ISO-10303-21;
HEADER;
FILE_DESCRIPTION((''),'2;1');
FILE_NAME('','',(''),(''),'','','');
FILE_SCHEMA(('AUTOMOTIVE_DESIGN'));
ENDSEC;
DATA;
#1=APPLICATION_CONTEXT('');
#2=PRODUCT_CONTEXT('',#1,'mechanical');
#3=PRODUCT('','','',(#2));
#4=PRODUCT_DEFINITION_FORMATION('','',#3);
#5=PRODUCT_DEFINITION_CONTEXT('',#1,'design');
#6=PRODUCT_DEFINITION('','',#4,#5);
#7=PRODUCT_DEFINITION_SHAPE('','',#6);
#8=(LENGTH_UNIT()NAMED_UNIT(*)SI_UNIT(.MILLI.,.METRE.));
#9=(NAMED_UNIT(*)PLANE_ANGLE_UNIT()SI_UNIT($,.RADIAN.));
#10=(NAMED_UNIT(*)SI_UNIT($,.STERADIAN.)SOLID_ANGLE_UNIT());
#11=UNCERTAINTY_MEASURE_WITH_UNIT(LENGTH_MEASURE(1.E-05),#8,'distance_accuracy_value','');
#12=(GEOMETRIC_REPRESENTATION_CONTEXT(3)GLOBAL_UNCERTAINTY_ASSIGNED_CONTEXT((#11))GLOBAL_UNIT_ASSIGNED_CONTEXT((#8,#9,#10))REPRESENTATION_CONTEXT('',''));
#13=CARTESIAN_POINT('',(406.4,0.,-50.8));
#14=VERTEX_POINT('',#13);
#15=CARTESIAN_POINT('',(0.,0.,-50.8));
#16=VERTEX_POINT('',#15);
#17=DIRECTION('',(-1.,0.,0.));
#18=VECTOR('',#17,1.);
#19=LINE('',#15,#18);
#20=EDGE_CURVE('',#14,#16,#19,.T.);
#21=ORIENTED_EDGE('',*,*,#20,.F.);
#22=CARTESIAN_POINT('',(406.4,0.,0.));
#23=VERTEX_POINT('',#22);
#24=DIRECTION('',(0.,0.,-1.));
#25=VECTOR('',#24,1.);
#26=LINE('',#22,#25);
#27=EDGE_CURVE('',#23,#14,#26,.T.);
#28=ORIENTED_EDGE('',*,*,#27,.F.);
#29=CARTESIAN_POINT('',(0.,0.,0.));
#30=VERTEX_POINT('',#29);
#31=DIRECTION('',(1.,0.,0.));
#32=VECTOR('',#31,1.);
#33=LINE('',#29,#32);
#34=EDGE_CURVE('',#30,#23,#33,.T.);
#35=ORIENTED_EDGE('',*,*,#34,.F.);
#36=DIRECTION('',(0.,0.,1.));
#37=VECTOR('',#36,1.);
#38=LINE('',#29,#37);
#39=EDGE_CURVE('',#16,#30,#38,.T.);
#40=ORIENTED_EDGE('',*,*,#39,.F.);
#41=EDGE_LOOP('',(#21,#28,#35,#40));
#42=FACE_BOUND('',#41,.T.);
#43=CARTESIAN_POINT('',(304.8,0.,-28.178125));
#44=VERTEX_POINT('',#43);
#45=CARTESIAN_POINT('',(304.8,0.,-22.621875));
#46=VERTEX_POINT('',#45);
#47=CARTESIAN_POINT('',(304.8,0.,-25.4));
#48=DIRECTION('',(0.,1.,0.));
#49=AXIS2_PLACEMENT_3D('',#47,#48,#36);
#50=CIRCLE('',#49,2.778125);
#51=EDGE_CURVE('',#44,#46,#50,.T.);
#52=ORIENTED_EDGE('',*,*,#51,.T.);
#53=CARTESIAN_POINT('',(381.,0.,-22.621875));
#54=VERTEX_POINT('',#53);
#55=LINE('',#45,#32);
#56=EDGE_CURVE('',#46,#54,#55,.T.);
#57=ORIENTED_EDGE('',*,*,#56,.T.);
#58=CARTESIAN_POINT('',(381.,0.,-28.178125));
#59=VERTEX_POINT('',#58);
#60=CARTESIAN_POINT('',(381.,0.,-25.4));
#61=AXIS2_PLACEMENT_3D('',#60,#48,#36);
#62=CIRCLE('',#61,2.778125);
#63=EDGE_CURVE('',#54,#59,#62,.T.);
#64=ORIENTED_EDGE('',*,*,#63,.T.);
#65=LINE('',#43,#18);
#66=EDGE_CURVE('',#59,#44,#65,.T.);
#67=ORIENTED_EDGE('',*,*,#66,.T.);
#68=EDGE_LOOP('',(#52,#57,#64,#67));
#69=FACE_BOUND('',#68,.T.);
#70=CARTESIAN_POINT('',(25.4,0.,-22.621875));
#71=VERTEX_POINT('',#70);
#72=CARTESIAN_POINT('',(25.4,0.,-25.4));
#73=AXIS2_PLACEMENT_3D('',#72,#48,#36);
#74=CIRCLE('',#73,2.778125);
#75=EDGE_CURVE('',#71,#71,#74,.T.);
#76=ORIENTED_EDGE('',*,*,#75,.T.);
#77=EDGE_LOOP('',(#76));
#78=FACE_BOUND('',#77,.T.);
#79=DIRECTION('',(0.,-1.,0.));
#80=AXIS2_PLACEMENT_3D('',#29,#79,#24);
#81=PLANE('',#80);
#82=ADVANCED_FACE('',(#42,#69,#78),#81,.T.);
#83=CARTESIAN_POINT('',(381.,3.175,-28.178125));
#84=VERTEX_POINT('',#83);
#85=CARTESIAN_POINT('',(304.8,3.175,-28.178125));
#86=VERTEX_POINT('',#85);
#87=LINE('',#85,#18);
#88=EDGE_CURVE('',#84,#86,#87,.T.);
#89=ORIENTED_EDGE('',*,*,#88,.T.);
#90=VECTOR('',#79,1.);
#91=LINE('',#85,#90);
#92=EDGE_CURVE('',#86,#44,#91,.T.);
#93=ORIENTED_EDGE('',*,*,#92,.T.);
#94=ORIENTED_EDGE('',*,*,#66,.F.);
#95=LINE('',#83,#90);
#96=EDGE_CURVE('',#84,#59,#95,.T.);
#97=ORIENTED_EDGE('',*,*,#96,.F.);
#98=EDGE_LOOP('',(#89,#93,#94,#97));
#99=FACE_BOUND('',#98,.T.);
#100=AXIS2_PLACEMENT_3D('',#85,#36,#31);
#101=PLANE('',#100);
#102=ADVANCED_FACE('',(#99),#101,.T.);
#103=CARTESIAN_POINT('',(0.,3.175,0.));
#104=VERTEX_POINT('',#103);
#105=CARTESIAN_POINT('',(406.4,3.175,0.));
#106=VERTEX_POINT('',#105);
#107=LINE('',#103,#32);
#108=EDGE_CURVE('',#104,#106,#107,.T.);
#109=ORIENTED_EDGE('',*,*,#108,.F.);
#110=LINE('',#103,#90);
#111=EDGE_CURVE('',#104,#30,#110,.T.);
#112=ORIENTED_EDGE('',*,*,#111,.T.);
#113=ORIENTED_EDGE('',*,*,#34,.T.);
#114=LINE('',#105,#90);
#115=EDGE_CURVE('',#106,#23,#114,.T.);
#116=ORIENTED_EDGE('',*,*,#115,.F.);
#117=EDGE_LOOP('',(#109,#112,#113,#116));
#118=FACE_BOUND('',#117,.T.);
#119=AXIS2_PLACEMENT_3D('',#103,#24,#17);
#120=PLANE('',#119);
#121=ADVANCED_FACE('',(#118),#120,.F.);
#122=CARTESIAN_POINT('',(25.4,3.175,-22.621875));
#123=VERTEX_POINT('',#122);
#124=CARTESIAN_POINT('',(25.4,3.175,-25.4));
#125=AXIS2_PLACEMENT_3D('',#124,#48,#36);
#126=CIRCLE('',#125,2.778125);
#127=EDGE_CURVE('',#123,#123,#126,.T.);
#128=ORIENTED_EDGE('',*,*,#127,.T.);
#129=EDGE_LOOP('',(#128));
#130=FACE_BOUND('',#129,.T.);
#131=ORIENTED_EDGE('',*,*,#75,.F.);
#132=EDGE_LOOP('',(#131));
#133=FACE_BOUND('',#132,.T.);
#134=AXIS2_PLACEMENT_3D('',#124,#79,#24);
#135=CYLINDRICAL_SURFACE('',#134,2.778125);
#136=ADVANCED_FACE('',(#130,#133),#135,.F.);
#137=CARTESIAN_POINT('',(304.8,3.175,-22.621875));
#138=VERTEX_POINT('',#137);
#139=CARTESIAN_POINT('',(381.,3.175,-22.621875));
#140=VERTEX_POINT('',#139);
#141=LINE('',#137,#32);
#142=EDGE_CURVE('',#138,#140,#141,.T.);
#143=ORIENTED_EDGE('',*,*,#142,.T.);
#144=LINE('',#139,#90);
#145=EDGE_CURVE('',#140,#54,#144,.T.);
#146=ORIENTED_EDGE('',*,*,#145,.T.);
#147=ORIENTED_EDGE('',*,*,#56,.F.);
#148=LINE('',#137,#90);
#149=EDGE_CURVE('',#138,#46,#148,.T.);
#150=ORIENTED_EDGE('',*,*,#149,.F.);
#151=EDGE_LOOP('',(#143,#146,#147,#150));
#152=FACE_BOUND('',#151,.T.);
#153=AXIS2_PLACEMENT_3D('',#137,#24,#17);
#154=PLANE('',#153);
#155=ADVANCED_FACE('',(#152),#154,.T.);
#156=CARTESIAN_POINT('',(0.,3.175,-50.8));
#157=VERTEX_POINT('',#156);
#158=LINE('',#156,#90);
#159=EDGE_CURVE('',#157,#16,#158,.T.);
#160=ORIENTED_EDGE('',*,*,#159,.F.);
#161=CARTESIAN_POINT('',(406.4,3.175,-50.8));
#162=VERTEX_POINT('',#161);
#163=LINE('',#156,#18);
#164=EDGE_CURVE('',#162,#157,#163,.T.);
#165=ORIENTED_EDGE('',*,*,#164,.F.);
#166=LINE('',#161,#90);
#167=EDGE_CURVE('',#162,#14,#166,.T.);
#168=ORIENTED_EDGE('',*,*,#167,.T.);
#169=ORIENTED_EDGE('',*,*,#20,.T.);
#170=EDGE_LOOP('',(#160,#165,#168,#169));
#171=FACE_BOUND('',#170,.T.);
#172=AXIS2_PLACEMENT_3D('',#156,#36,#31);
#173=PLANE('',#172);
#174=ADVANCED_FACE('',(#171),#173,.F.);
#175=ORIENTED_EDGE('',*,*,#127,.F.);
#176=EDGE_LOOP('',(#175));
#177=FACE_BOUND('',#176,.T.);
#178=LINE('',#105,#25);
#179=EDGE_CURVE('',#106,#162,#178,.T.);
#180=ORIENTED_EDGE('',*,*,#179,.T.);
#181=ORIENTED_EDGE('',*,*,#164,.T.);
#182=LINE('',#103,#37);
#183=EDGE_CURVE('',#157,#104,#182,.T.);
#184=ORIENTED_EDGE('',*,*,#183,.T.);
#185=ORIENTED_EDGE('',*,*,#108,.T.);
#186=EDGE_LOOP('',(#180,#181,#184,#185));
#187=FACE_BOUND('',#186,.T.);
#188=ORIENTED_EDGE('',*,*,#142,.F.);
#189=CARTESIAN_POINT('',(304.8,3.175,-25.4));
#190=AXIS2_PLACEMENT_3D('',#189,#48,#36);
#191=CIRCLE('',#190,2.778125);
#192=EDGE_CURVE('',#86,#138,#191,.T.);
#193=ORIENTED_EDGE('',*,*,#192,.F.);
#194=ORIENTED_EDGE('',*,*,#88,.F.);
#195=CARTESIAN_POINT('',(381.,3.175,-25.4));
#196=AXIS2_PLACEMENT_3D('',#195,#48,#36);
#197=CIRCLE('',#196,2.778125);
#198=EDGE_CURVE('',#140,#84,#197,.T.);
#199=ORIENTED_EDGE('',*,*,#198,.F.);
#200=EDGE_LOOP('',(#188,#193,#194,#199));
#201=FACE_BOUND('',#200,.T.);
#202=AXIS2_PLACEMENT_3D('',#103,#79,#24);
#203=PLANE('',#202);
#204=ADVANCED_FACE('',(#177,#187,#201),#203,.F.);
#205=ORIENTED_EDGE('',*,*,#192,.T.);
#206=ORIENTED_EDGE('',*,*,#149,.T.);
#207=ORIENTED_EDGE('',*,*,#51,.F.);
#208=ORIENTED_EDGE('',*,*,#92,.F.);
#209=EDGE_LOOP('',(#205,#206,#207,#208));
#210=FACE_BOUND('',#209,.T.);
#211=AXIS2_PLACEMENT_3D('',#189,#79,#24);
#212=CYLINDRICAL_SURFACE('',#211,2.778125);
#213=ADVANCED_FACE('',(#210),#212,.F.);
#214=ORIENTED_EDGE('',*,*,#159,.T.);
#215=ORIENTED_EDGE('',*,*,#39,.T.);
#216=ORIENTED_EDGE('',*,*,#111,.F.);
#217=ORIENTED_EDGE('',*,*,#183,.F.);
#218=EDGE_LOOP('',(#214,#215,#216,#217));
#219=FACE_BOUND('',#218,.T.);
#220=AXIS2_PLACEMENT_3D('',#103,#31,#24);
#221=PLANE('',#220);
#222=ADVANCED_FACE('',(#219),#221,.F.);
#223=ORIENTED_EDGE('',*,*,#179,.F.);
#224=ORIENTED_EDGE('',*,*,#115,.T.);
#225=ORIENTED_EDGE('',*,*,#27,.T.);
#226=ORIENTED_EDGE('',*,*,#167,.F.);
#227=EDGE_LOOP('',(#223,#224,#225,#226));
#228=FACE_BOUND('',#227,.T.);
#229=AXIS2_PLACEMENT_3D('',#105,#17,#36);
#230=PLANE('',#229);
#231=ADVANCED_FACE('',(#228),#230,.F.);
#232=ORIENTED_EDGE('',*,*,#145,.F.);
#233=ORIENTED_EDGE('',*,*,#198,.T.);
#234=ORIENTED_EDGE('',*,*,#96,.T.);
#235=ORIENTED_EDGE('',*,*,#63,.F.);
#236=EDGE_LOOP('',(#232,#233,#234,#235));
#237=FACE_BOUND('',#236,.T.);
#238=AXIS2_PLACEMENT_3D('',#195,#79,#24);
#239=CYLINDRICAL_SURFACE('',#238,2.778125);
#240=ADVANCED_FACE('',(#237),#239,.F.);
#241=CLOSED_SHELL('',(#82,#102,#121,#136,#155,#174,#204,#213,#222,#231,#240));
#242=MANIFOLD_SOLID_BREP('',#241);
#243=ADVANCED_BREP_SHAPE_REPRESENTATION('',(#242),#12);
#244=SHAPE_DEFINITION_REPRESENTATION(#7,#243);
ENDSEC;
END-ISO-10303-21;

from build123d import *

# Parameters (mm, degrees)
SKETCH1_W           = 406.4
SKETCH1_H           = 50.8
SKETCH1_R           = 2.778125
BOSS_EXTRUDE1_DEPTH = 3.175


with BuildPart() as part:
    # Sketch1 → Boss-Extrude1 (new body)
    with BuildSketch(Plane(origin=(0, 0, 0), x_dir=(1, 0, 0), z_dir=(0, 1, 0))):
        with Locations((203.2, 25.4)):
            Rectangle(SKETCH1_W, SKETCH1_H)
        with Locations(Location((25.4, 25.4, 0), (0, 0, 270))):
            Circle(SKETCH1_R, mode=Mode.SUBTRACT)
        with BuildLine():
            Line((304.8, 28.178125), (381, 28.178125))
            ThreePointArc((381, 28.178125), (383.778125, 25.4), (381, 22.621875))
            Line((381, 22.621875), (304.8, 22.621875))
            ThreePointArc((304.8, 22.621875), (302.021875, 25.4), (304.8, 28.178125))
        make_face(mode=Mode.SUBTRACT)
    extrude(amount=BOSS_EXTRUDE1_DEPTH)


solid = part.part
